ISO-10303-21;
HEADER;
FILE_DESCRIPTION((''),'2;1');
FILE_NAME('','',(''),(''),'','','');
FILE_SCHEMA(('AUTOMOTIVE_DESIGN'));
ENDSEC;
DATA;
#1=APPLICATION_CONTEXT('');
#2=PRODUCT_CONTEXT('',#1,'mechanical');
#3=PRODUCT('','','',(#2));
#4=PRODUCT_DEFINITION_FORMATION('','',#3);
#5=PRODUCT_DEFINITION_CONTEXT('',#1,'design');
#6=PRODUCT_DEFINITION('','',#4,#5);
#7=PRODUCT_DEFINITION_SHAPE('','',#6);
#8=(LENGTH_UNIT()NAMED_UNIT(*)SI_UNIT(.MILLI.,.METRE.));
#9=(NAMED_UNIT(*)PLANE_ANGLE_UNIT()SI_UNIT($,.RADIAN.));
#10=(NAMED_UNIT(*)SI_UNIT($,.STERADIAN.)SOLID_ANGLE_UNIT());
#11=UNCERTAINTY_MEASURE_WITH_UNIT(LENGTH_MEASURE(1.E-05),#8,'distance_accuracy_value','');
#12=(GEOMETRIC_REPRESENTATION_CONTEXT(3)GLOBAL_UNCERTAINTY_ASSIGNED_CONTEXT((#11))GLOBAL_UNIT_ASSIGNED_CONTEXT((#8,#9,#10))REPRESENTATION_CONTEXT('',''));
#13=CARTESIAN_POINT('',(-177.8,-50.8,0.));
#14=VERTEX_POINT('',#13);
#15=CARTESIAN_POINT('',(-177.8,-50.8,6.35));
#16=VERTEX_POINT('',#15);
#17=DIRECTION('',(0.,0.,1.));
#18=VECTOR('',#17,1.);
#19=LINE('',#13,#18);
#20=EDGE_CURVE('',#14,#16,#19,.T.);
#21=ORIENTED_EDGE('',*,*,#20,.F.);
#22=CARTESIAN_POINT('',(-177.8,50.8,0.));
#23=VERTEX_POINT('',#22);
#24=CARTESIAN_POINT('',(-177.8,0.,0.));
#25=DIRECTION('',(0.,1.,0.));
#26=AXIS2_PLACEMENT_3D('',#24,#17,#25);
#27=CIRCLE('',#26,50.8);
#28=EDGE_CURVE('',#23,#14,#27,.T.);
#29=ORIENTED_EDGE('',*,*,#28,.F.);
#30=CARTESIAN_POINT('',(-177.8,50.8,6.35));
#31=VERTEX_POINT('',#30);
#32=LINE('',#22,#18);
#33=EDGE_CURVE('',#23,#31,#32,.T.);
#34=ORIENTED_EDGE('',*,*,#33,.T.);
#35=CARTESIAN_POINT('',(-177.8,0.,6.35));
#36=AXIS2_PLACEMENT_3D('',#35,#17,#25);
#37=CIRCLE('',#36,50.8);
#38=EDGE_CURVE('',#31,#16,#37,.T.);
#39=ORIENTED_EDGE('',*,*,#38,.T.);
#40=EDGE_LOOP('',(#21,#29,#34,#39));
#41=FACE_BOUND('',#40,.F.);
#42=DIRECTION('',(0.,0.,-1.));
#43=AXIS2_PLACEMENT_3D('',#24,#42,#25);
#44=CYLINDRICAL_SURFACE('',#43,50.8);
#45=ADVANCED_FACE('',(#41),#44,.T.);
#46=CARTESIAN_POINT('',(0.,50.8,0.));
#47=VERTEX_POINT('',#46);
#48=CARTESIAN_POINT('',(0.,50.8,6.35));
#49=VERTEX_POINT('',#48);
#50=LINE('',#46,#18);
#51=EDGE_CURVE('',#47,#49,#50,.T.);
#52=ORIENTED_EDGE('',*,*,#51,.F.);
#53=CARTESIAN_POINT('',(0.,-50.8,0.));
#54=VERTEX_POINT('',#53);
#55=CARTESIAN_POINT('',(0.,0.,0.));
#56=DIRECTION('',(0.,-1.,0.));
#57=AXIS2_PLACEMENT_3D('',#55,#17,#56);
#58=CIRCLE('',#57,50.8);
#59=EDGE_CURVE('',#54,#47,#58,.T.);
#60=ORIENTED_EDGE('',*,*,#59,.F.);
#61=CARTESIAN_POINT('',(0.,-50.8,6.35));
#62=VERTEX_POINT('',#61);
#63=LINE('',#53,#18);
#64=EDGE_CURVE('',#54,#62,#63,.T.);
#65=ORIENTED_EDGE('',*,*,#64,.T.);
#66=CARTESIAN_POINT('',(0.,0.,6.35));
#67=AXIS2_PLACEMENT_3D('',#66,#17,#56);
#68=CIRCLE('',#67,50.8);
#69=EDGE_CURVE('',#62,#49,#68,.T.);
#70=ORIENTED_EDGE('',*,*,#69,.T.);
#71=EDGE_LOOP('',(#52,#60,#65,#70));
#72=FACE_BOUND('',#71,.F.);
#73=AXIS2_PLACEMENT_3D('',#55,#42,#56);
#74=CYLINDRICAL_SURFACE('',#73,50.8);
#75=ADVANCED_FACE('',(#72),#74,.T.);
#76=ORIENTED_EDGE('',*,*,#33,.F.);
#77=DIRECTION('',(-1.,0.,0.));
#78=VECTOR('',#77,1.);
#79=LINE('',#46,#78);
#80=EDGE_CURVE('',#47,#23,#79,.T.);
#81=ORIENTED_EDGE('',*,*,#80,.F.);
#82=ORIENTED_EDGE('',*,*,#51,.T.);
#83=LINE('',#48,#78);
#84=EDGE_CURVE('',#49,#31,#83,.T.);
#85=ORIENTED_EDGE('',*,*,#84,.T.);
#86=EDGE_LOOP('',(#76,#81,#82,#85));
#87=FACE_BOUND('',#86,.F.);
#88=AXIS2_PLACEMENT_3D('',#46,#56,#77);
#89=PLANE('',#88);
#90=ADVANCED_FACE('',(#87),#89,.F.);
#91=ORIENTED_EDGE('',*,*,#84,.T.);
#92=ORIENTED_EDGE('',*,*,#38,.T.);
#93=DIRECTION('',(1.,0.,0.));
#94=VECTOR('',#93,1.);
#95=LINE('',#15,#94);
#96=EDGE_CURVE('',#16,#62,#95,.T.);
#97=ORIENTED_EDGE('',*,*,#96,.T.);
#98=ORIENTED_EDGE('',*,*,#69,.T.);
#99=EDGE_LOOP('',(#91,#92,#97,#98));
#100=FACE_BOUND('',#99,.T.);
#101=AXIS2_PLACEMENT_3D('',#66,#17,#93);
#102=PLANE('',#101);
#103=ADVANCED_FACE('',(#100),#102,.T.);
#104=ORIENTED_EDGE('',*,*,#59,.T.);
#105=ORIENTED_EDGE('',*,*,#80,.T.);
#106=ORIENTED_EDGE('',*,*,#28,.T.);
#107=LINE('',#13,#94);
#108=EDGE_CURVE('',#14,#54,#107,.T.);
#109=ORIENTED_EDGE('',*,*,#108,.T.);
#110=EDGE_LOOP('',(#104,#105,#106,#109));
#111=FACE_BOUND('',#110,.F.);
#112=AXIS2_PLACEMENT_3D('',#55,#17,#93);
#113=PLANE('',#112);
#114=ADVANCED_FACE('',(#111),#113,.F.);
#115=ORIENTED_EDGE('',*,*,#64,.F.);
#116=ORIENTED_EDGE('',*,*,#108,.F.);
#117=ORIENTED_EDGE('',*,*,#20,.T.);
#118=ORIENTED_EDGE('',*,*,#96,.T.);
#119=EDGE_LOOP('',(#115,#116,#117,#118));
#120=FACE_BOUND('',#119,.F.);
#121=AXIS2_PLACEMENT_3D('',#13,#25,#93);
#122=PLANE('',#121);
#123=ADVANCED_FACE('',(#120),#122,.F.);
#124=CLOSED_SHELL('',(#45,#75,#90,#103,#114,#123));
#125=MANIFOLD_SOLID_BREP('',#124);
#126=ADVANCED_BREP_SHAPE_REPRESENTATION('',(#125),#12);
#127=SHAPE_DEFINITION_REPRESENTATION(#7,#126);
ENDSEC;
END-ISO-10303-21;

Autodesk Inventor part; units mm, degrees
ref_plane "YZ Plane" through (0, 0, 0) normal (1, 0, 0) x (0, 1, 0)
ref_plane "XZ Plane" through (0, 0, 0) normal (0, 1, 0) x (-1, 0, 0)
ref_plane "XY Plane" through (0, 0, 0) normal (0, 0, 1) x (1, 0, 0)
sketch "Sketch1" plane through (0, 0, 0) normal (0, 0, 1) x (1, 0, 0)
  line L0 (0, 0) -> (-177.8, 0) construction
  line L1 (0, 50.8) -> (-177.8, 50.8)
  line L2 (-177.8, -50.8) -> (0, -50.8)
  arc A0 (0, -50.8) -> (0, 50.8) centre (0, 0) ccw
  arc A1 (-177.8, 50.8) -> (-177.8, -50.8) centre (-177.8, 0) ccw
  point P0 (-88.9, 0)
  dimension "d0" = 177.8
  dimension "d1" = 101.6
extrude "Extrusion1" add sketch "Sketch1" along normal blind 6.35
properties part number "Front Panel" material "Wood (Walnut)"
